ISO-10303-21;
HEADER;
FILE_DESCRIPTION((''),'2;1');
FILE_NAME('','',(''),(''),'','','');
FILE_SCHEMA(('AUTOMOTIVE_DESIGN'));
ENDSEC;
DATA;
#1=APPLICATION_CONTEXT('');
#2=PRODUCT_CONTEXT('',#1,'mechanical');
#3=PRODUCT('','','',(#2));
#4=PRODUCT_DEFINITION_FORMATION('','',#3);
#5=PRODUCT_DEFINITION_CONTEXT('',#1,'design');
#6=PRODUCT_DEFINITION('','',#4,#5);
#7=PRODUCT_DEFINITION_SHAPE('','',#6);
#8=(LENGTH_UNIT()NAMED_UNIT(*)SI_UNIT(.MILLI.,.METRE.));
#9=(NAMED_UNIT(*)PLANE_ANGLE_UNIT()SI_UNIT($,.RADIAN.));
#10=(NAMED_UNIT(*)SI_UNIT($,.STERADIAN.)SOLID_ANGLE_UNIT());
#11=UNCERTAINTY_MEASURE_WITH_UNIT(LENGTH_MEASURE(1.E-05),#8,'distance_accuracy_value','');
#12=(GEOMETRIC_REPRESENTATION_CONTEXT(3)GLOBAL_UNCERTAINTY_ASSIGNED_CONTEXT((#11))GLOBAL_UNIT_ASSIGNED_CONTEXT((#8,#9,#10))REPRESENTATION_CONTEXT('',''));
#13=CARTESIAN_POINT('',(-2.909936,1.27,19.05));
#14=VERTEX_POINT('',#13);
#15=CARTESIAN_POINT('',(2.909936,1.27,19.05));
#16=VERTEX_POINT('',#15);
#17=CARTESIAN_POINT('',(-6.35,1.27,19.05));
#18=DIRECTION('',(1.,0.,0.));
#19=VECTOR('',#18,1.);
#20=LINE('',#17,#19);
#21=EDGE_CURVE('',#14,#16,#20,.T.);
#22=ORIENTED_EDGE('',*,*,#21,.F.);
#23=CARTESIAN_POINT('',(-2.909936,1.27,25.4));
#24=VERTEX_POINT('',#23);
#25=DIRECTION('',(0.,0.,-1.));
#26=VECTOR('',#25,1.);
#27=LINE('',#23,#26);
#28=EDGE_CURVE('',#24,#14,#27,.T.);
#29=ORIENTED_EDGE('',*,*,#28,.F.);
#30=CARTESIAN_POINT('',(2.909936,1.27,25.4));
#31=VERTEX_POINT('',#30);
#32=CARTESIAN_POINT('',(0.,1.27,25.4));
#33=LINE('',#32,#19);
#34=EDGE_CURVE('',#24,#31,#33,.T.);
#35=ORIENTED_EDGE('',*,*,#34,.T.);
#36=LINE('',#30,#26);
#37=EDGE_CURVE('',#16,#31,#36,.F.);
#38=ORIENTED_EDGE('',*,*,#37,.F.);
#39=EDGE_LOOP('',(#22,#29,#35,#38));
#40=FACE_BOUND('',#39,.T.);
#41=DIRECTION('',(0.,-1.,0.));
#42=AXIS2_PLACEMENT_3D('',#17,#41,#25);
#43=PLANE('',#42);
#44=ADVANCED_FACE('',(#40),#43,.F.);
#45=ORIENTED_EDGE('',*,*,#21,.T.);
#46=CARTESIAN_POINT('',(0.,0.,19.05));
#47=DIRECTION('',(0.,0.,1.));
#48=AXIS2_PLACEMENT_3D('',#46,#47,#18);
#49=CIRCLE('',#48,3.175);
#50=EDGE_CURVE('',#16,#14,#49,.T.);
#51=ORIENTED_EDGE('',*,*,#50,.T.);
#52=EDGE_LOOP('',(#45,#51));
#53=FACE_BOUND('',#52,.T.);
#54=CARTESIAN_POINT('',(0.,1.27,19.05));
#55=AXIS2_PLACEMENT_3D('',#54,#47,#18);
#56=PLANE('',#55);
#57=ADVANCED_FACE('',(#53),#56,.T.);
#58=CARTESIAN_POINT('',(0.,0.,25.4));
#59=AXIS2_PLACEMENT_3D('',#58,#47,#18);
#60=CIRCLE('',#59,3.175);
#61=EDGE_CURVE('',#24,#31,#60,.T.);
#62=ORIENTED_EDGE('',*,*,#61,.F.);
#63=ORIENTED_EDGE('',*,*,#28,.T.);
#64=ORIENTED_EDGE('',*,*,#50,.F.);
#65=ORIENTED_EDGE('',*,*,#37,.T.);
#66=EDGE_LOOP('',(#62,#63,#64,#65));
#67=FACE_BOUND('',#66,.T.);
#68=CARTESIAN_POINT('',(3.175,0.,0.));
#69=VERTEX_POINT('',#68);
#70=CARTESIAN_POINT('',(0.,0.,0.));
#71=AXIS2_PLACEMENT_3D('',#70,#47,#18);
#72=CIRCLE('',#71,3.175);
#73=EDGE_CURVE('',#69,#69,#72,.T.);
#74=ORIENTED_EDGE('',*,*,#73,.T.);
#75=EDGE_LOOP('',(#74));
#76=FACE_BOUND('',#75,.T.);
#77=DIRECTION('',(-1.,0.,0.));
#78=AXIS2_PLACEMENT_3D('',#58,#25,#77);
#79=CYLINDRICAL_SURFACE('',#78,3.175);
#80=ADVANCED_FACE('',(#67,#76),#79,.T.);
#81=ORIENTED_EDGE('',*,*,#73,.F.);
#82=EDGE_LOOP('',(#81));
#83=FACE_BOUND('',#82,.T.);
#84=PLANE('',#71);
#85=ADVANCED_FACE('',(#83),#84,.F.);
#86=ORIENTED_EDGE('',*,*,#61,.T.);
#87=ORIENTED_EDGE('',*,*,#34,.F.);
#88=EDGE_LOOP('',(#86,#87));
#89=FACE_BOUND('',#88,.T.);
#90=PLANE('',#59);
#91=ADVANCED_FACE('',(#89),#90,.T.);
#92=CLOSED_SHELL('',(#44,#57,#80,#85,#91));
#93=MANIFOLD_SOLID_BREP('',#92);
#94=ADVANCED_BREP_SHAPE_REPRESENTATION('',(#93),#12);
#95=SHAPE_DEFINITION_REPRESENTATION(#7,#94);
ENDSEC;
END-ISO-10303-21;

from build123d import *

# Parameters (mm, degrees)
SKETCH1_R           = 3.175
BOSS_EXTRUDE1_DEPTH = 25.4
CUT_EXTRUDE1_DEPTH  = 6.35


with BuildPart() as part:
    # Sketch1 → Boss-Extrude1 (new body)
    with BuildSketch(Plane.XY):
        Circle(SKETCH1_R)
    extrude(amount=BOSS_EXTRUDE1_DEPTH)

    # Sketch2 → Cut-Extrude1 (cut)
    with BuildSketch(Plane.XY.offset(25.4)):
        with BuildLine():
            Line((-6.35, 1.27), (6.35, 1.27))
            ThreePointArc((6.35, 1.27), (0, 7.62), (-6.35, 1.27))
        make_face()
    extrude(amount=-CUT_EXTRUDE1_DEPTH, mode=Mode.SUBTRACT)


solid = part.part
